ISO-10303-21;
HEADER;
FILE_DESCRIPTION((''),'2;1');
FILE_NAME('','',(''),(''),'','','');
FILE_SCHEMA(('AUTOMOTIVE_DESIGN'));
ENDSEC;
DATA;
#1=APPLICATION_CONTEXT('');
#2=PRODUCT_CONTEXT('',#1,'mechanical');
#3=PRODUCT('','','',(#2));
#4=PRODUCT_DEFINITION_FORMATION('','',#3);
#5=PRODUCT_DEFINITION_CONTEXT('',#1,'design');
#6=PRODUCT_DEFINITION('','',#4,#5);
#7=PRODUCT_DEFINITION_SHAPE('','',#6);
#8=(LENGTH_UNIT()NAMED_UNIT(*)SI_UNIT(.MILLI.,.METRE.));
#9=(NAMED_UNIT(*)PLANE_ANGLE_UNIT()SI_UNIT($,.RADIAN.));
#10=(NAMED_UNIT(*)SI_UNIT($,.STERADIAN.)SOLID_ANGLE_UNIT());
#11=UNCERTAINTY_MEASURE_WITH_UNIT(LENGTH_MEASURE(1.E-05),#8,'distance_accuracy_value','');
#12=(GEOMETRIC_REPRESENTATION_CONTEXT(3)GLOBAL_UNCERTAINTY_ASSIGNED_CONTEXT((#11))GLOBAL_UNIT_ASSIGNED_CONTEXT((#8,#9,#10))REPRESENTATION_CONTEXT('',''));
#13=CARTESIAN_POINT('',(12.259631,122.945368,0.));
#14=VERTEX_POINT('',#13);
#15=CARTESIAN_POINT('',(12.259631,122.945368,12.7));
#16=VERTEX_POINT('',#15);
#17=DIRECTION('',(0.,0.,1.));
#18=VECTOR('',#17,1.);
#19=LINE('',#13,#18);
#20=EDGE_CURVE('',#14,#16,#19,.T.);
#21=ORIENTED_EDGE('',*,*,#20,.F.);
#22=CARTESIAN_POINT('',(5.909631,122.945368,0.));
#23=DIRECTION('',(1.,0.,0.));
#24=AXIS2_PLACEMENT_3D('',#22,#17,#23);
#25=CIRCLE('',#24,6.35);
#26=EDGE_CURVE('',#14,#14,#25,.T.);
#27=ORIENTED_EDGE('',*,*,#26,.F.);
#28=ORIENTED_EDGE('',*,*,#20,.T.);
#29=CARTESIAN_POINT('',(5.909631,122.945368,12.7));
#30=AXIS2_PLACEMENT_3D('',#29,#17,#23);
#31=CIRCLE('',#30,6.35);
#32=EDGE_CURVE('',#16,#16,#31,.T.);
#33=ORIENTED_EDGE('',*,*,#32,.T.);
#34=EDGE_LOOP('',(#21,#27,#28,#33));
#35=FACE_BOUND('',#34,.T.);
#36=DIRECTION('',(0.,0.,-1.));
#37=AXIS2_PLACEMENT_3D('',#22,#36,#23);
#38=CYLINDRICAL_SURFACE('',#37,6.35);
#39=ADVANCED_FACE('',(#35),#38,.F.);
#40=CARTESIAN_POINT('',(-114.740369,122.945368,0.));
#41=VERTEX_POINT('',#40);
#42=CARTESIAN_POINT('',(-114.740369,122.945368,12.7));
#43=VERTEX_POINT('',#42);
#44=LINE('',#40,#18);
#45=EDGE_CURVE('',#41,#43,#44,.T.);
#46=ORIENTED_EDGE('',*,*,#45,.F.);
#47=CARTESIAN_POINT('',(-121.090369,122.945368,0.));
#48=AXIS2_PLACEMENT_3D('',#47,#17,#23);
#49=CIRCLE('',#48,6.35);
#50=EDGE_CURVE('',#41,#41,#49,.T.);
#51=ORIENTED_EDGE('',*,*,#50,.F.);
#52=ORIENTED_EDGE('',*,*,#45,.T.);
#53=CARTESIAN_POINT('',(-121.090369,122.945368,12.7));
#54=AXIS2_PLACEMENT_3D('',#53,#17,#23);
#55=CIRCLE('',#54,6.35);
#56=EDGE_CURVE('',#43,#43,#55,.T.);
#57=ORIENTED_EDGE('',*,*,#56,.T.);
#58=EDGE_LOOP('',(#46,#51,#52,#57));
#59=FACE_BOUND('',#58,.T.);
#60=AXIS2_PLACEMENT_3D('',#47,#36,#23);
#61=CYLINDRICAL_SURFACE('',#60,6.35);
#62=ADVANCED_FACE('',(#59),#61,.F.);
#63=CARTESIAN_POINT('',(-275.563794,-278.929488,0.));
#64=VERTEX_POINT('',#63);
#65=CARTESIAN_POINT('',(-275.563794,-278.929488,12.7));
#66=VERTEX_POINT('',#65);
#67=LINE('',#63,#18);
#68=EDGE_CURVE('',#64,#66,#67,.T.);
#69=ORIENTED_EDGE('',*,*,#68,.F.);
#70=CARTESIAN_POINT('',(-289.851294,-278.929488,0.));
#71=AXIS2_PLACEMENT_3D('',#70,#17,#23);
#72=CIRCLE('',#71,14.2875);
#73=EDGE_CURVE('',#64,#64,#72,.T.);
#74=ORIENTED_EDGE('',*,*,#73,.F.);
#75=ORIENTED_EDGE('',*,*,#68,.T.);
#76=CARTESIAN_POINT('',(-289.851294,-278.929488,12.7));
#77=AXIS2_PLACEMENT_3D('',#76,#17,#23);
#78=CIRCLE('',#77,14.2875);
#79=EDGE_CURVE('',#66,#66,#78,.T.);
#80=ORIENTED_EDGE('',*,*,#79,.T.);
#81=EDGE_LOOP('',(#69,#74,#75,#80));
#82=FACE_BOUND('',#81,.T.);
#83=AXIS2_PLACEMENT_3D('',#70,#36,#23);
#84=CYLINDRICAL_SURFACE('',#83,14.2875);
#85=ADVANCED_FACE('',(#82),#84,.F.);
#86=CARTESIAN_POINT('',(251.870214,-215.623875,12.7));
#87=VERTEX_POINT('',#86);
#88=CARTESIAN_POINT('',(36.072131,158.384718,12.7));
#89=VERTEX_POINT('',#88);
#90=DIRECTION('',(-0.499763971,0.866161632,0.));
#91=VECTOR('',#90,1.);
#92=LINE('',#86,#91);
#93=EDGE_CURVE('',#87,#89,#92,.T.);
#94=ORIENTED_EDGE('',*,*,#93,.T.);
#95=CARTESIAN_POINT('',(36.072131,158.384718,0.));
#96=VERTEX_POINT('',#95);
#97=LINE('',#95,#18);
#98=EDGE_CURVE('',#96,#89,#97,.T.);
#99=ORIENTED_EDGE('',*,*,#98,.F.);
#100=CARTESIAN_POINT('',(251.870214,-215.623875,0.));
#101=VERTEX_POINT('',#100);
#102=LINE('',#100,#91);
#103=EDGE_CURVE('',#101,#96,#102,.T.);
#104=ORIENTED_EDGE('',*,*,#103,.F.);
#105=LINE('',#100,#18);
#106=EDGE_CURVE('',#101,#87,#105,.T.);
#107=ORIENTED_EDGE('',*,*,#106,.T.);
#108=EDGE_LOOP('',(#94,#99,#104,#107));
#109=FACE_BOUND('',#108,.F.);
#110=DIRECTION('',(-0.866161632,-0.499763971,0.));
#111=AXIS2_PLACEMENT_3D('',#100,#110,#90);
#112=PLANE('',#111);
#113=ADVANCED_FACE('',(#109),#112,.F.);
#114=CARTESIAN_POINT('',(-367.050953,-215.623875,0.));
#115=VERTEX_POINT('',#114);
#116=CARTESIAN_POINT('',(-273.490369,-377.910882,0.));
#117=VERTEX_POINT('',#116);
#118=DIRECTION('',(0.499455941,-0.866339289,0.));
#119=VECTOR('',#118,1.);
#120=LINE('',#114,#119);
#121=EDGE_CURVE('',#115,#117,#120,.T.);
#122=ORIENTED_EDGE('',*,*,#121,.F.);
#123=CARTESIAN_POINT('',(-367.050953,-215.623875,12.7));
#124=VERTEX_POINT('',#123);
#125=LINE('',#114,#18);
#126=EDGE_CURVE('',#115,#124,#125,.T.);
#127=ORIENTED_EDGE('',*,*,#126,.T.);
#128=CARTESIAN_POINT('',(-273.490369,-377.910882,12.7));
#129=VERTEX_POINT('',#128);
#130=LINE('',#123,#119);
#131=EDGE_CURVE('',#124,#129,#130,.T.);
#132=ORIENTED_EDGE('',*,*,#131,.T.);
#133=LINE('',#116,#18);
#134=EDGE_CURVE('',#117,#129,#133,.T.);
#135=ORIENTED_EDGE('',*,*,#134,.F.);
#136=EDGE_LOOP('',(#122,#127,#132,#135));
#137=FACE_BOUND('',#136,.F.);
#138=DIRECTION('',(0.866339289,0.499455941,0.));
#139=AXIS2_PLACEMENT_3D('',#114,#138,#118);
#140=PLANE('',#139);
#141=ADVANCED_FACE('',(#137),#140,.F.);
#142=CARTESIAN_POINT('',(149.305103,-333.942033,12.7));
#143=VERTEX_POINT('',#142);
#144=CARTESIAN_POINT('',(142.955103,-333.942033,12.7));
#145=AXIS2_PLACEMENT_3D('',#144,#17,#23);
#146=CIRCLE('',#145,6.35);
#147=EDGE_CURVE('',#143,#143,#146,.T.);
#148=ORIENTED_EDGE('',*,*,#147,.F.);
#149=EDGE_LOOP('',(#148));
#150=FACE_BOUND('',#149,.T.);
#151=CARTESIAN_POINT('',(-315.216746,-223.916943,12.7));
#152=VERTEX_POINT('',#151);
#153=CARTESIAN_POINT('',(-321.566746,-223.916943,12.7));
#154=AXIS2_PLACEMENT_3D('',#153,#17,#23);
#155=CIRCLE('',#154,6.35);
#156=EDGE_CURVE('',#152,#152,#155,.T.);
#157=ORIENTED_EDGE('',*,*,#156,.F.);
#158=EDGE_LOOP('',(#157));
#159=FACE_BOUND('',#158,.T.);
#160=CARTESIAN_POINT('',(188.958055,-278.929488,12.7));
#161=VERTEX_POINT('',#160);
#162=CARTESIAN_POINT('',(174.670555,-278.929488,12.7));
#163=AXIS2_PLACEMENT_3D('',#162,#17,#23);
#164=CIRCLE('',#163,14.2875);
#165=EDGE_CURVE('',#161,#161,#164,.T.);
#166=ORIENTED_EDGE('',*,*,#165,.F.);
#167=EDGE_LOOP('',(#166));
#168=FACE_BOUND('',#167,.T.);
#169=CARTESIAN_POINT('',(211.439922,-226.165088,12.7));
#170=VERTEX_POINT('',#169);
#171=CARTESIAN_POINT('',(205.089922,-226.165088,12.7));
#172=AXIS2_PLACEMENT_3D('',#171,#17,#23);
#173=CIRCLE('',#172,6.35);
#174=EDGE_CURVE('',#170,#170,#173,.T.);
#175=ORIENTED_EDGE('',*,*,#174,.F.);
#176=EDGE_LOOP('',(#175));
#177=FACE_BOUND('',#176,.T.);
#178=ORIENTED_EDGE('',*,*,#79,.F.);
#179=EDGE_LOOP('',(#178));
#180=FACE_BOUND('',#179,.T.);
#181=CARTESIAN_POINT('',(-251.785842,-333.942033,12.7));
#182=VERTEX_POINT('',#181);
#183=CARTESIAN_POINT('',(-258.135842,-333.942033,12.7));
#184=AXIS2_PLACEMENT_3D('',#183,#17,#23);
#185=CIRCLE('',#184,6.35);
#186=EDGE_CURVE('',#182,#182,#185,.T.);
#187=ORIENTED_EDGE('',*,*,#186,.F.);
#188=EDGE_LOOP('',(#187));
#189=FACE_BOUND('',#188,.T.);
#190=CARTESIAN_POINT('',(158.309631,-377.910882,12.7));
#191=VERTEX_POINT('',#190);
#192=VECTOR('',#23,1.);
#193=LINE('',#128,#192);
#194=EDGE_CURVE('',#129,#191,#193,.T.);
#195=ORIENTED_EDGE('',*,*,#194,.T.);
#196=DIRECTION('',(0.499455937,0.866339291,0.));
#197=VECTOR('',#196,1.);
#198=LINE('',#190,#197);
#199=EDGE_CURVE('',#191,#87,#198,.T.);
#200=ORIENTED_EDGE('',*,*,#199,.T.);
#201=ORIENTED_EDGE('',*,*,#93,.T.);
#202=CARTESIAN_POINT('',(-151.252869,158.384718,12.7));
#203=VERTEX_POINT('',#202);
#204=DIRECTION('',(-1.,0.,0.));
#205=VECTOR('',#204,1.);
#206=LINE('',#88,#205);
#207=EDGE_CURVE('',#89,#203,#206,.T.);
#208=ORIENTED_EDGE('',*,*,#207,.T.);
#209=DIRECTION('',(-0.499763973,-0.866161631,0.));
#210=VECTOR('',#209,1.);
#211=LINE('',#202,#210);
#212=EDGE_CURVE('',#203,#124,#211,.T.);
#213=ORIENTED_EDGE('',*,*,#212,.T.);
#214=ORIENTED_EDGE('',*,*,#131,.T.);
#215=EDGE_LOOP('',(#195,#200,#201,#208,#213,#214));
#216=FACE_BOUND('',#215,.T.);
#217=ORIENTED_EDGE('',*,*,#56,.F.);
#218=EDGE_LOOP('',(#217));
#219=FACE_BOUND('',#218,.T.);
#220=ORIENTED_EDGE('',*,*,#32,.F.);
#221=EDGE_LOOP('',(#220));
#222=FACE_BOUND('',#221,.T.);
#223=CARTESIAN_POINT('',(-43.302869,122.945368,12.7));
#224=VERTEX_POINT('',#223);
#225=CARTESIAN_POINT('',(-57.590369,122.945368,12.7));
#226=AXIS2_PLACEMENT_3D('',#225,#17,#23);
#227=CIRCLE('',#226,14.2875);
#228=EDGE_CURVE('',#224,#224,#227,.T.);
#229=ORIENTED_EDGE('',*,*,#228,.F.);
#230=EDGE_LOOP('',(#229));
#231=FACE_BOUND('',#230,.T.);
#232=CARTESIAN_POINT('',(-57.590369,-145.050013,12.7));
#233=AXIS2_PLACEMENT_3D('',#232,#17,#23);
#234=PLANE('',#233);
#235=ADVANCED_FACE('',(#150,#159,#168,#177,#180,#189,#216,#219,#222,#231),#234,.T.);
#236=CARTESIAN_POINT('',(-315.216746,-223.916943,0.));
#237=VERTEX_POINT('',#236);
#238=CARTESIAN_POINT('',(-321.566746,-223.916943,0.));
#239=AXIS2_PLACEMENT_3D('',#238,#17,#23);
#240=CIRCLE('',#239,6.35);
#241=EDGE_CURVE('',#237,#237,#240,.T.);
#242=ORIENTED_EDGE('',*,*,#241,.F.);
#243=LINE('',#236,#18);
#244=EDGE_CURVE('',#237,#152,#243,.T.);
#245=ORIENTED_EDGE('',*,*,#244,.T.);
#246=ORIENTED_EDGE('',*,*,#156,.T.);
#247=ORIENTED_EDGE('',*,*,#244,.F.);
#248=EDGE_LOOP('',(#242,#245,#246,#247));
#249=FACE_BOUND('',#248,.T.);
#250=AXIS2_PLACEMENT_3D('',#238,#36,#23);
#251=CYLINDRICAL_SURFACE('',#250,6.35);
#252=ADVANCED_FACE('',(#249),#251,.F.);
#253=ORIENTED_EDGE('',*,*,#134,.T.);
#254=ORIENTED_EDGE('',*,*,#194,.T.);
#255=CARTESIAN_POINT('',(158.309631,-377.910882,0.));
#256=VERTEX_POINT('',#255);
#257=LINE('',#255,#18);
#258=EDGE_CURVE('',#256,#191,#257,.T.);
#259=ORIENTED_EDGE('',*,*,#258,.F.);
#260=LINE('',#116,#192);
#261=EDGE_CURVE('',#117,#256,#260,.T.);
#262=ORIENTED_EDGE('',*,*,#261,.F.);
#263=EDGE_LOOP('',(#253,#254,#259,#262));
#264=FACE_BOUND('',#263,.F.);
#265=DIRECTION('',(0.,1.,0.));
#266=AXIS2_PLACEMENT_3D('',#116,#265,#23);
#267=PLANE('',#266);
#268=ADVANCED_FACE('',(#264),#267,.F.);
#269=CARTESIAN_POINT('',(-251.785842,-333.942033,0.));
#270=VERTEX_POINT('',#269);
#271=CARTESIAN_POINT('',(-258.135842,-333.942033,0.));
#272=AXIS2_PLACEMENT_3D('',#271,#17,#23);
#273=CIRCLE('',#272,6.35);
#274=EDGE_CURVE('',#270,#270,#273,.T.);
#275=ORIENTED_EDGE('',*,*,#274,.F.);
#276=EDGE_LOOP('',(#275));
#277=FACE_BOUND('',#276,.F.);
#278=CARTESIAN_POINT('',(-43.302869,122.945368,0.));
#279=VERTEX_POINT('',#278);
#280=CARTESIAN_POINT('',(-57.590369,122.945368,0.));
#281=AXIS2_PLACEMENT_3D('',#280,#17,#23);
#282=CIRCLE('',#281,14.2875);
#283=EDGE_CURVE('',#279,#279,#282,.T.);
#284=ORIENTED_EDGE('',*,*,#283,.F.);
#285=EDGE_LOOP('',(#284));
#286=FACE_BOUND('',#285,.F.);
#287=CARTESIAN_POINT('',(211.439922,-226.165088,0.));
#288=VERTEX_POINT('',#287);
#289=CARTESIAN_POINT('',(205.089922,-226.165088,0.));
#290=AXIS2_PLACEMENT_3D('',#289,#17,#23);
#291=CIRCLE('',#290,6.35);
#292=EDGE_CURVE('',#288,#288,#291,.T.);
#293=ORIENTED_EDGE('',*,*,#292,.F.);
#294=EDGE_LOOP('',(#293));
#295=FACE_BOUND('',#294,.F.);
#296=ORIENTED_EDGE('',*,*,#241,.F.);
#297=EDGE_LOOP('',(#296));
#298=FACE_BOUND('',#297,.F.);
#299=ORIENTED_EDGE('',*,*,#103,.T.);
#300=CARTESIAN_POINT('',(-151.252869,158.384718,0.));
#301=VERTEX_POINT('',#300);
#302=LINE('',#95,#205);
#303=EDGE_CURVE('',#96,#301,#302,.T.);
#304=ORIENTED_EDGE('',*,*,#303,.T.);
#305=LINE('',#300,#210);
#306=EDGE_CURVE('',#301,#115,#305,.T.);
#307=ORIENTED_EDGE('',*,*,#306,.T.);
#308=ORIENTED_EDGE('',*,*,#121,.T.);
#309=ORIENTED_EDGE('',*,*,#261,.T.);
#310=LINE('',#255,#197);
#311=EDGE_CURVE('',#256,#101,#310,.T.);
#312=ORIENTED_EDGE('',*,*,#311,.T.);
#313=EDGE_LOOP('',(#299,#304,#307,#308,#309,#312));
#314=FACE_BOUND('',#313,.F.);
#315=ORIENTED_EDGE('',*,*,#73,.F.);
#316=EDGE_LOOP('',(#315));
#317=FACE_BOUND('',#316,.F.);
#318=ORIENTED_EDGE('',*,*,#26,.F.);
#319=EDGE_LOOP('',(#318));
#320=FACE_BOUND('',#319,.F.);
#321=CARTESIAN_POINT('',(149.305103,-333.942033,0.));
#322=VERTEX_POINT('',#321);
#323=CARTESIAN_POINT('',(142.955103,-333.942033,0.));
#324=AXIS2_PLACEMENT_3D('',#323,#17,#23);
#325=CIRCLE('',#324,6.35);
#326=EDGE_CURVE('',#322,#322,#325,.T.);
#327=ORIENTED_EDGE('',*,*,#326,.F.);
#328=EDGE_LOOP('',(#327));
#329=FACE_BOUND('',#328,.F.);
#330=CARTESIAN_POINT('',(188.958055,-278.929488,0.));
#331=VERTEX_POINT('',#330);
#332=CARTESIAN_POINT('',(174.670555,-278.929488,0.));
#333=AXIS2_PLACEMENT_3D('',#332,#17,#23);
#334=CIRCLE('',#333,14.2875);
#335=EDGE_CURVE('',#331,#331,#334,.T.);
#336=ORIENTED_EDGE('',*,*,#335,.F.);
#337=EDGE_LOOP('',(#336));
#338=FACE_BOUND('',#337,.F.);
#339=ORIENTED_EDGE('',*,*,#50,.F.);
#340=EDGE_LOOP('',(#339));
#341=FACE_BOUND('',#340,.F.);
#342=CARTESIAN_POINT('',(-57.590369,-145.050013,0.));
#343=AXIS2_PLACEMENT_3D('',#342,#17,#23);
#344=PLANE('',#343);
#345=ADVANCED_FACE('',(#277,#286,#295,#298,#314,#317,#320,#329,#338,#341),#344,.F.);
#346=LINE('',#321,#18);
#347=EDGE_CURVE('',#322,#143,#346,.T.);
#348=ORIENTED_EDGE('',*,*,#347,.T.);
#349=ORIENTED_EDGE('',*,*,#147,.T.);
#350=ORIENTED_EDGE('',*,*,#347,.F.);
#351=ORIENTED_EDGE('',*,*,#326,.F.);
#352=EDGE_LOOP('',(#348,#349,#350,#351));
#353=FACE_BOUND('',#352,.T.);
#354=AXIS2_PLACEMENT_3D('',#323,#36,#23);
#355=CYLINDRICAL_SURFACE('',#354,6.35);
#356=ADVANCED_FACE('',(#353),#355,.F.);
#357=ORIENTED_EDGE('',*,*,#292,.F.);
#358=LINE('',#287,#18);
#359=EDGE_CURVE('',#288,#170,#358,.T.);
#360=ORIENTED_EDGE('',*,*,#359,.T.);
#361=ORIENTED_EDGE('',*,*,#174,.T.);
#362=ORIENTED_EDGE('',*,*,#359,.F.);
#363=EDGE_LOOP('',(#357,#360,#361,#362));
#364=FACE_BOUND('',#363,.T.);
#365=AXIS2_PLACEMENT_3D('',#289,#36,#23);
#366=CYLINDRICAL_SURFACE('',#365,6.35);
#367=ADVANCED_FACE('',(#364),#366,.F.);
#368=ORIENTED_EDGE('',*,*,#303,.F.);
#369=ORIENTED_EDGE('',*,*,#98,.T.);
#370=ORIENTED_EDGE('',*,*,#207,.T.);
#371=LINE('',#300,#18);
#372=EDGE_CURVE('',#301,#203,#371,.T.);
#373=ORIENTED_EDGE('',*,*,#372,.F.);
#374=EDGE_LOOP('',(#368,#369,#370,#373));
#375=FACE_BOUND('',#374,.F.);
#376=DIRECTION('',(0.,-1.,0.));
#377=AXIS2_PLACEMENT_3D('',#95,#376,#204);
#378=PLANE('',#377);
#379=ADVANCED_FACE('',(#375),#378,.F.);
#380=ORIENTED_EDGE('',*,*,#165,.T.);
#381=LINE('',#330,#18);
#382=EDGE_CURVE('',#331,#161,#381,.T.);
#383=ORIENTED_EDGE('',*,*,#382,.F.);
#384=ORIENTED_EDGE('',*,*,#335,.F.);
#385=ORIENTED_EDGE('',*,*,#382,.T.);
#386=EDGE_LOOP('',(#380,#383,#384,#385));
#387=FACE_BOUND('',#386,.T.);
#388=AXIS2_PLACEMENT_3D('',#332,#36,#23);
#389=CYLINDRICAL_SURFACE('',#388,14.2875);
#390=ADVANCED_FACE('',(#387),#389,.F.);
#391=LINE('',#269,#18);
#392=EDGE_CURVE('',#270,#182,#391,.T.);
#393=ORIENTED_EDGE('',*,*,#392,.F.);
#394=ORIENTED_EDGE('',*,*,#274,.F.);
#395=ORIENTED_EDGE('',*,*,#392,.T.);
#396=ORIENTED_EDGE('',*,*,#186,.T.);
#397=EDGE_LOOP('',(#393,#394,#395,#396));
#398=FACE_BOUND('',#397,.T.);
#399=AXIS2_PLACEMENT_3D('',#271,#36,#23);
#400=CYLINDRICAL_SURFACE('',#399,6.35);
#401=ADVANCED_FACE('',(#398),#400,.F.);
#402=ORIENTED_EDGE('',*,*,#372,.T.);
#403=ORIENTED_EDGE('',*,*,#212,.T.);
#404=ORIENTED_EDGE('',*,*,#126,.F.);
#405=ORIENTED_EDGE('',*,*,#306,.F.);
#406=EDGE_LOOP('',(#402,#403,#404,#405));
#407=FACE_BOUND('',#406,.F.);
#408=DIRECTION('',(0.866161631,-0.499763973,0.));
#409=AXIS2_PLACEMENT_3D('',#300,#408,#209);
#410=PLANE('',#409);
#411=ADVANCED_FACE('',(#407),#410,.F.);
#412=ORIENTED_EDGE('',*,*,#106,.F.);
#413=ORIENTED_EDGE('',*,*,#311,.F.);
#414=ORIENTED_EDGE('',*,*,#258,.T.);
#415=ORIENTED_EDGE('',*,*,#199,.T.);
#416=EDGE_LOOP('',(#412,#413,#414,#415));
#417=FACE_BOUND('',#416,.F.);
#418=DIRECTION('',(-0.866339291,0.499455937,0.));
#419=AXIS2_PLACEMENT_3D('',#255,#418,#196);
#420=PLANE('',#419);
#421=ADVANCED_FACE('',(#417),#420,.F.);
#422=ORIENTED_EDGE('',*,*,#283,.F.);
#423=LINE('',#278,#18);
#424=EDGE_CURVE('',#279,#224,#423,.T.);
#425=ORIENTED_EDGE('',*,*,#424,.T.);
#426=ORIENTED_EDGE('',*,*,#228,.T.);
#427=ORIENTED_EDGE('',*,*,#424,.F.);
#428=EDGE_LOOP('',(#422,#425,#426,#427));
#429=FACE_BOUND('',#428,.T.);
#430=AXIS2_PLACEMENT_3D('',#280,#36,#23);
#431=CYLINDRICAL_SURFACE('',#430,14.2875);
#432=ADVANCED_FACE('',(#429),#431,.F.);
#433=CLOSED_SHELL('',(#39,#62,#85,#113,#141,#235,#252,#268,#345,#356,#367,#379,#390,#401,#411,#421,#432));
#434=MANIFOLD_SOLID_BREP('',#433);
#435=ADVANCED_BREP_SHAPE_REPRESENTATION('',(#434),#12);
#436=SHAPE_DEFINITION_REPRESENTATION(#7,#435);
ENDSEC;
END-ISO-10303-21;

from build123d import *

# Parameters (mm, degrees)
F0_R     = 6.35
F0_R_2   = 14.2875
F1_DEPTH = 12.7


with BuildPart() as f1:
    # F0 (on Top) → F1 (new body)
    with BuildSketch(Plane.XY):
        Polygon((-367.050953, -215.623875), (-273.490369, -377.910882), (158.309631, -377.910882), (251.870214, -215.623875), (36.072131, 158.384718), (-151.252869, 158.384718), align=None)
        with Locations((-258.135842, -333.942033)):
            Circle(F0_R, mode=Mode.SUBTRACT)
        with Locations((-289.851294, -278.929488)):
            Circle(F0_R_2, mode=Mode.SUBTRACT)
        with Locations((-321.566746, -223.916943)):
            Circle(F0_R, mode=Mode.SUBTRACT)
        with Locations((142.955103, -333.942033)):
            Circle(F0_R, mode=Mode.SUBTRACT)
        with Locations((174.670555, -278.929488)):
            Circle(F0_R_2, mode=Mode.SUBTRACT)
        with Locations((205.089922, -226.165088)):
            Circle(F0_R, mode=Mode.SUBTRACT)
        with Locations((-121.090369, 122.945368)):
            Circle(F0_R, mode=Mode.SUBTRACT)
        with Locations((-57.590369, 122.945368)):
            Circle(F0_R_2, mode=Mode.SUBTRACT)
        with Locations((5.909631, 122.945368)):
            Circle(F0_R, mode=Mode.SUBTRACT)
    extrude(amount=F1_DEPTH)


solid = f1.part
